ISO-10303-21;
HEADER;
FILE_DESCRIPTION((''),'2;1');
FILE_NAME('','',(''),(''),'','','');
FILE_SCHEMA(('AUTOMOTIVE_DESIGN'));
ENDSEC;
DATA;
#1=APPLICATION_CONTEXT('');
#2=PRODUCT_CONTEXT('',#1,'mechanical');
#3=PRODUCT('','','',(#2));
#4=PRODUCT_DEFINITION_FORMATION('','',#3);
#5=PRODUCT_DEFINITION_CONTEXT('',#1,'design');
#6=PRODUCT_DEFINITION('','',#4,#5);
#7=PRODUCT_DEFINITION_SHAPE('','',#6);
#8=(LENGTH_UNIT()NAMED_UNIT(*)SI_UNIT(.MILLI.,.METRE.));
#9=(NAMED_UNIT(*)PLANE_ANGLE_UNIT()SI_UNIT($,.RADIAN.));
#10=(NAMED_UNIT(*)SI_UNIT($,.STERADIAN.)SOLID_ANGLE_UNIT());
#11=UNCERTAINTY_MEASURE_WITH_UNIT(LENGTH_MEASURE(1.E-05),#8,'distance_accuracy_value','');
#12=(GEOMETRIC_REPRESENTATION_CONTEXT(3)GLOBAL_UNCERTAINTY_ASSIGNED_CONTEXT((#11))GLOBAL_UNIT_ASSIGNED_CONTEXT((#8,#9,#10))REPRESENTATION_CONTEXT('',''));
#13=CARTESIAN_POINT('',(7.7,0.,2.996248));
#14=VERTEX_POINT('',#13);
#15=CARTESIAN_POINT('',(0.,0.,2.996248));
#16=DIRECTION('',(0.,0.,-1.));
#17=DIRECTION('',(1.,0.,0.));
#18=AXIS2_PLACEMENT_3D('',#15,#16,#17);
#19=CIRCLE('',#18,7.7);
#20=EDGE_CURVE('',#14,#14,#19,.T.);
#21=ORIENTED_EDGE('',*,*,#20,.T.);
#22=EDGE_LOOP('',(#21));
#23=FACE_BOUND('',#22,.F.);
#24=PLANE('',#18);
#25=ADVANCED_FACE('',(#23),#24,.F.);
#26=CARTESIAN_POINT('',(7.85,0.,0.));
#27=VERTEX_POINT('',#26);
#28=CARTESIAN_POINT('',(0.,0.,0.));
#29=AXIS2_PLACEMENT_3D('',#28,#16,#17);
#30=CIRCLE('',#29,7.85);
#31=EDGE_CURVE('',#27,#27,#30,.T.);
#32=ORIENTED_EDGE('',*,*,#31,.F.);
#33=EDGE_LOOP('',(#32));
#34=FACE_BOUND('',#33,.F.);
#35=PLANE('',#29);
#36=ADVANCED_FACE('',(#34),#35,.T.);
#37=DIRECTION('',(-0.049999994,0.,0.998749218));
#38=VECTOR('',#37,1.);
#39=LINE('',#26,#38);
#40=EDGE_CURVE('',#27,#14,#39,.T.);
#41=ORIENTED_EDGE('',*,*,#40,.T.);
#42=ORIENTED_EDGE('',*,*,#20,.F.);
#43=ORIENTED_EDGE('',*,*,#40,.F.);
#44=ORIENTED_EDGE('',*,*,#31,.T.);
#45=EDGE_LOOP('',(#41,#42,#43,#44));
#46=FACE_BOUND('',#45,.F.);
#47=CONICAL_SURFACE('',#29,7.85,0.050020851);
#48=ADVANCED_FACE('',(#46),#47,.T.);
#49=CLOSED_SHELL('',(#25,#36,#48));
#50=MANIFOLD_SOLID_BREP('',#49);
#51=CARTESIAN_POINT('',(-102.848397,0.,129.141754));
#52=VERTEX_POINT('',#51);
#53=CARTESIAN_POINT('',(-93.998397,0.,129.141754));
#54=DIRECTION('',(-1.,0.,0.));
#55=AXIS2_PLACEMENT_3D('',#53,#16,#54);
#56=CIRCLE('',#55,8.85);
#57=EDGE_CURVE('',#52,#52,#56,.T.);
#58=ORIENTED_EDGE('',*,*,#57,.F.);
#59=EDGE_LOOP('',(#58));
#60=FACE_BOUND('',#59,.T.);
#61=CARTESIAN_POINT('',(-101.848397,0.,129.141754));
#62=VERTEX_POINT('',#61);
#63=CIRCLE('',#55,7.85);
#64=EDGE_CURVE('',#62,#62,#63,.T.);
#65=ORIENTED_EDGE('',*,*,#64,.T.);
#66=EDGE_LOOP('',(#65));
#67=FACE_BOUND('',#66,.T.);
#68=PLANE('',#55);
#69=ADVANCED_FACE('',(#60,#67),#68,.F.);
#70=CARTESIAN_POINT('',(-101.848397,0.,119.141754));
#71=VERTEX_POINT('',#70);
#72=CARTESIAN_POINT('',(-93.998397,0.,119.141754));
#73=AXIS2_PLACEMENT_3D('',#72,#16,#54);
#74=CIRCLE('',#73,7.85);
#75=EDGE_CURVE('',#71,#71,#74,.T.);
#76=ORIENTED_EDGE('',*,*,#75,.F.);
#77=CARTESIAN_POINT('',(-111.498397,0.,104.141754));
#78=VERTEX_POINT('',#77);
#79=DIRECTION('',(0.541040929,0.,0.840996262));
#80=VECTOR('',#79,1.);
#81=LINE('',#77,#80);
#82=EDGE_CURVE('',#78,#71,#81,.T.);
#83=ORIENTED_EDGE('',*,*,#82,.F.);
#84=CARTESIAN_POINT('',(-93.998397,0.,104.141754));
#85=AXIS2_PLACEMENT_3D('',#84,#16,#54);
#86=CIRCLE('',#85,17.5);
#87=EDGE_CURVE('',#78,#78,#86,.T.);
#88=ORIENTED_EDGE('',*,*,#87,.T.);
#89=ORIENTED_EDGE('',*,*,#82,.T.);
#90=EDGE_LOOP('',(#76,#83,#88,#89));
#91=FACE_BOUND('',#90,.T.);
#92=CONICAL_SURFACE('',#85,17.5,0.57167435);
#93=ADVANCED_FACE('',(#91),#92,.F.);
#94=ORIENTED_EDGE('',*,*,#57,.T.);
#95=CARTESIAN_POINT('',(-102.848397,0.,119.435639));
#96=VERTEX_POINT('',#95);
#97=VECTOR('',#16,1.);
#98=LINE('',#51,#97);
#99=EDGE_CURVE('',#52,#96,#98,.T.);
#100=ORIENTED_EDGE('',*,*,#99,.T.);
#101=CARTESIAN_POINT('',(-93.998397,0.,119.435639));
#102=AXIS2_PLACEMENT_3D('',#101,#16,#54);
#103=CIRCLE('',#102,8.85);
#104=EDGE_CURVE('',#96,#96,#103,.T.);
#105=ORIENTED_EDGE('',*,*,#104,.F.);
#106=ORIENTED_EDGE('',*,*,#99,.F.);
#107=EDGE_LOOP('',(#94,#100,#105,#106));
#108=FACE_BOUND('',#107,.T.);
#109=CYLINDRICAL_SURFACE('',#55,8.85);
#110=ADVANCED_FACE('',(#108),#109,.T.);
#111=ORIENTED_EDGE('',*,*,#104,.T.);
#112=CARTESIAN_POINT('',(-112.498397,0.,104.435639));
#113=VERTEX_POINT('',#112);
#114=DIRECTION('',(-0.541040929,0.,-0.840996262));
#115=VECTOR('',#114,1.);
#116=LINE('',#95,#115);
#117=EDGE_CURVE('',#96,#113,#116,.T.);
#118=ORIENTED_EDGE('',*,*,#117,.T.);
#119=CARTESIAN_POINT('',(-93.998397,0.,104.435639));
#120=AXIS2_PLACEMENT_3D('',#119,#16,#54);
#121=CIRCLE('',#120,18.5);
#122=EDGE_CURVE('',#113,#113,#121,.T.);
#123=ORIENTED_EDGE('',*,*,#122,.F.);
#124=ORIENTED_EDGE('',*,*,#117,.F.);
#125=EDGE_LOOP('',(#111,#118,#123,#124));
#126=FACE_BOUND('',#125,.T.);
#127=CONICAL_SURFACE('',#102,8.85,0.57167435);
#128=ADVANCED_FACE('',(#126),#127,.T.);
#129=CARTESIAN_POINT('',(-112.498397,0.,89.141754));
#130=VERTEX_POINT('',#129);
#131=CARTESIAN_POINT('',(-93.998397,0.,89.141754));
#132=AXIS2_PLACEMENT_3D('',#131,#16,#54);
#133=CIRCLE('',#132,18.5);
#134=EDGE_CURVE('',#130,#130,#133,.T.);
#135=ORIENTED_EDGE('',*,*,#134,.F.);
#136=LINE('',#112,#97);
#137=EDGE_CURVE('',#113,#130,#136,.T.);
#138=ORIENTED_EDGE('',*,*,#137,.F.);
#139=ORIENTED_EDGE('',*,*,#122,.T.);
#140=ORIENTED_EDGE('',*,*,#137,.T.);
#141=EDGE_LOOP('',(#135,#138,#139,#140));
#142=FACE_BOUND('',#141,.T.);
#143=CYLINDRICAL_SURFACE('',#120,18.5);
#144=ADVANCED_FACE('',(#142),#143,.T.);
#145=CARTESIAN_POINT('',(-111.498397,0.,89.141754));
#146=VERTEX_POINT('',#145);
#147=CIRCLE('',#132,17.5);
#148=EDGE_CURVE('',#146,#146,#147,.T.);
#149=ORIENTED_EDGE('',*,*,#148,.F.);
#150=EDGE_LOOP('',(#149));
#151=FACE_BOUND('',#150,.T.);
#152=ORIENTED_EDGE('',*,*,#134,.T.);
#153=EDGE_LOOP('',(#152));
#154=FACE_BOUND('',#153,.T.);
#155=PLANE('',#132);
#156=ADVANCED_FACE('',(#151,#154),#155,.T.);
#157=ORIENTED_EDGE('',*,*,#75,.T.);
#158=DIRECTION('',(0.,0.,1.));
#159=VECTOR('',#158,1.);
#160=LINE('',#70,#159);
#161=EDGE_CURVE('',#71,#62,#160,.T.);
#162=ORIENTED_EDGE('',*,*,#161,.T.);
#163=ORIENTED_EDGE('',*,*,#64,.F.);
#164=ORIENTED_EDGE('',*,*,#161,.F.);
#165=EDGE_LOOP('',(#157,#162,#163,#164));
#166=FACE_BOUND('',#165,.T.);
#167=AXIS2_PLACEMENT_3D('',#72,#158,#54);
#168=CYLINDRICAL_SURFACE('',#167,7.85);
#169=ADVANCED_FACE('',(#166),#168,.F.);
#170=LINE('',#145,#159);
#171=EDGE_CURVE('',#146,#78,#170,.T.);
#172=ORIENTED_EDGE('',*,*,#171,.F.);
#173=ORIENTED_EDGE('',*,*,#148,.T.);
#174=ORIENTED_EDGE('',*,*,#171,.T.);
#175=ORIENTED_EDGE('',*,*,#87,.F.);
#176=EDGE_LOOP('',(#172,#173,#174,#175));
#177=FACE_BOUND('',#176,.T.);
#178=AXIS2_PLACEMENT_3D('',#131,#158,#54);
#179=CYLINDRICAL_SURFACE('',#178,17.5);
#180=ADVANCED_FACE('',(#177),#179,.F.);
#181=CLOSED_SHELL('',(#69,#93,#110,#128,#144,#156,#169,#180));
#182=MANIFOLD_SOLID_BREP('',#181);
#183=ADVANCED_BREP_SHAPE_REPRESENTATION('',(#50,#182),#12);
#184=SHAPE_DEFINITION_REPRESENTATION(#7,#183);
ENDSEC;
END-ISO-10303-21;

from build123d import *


with BuildPart() as f1:
    # F0 (on Front) → F1 (revolve)
    with BuildSketch(Plane.XZ):
        Polygon((7.85, 0), (7.7, 2.996248), (0, 2.996248), (0, 0), align=None)
    revolve(axis=Axis((0, 0, 1.498124), (0, 0, -1)))


with BuildPart() as f2:
    # F0 (on Front) → F2 (revolve)
    with BuildSketch(Plane.XZ):
        Polygon((-101.848397, 119.141754), (-101.848397, 129.141754), (-102.848397, 129.141754), (-102.848397, 119.435639), (-112.498397, 104.435639), (-112.498397, 89.141754), (-111.498397, 89.141754), (-111.498397, 104.141754), align=None)
    revolve(axis=Axis((-93.998397, 0, 104.049748), (0, 0, -1)))


solid = Compound([f1.part, f2.part])
